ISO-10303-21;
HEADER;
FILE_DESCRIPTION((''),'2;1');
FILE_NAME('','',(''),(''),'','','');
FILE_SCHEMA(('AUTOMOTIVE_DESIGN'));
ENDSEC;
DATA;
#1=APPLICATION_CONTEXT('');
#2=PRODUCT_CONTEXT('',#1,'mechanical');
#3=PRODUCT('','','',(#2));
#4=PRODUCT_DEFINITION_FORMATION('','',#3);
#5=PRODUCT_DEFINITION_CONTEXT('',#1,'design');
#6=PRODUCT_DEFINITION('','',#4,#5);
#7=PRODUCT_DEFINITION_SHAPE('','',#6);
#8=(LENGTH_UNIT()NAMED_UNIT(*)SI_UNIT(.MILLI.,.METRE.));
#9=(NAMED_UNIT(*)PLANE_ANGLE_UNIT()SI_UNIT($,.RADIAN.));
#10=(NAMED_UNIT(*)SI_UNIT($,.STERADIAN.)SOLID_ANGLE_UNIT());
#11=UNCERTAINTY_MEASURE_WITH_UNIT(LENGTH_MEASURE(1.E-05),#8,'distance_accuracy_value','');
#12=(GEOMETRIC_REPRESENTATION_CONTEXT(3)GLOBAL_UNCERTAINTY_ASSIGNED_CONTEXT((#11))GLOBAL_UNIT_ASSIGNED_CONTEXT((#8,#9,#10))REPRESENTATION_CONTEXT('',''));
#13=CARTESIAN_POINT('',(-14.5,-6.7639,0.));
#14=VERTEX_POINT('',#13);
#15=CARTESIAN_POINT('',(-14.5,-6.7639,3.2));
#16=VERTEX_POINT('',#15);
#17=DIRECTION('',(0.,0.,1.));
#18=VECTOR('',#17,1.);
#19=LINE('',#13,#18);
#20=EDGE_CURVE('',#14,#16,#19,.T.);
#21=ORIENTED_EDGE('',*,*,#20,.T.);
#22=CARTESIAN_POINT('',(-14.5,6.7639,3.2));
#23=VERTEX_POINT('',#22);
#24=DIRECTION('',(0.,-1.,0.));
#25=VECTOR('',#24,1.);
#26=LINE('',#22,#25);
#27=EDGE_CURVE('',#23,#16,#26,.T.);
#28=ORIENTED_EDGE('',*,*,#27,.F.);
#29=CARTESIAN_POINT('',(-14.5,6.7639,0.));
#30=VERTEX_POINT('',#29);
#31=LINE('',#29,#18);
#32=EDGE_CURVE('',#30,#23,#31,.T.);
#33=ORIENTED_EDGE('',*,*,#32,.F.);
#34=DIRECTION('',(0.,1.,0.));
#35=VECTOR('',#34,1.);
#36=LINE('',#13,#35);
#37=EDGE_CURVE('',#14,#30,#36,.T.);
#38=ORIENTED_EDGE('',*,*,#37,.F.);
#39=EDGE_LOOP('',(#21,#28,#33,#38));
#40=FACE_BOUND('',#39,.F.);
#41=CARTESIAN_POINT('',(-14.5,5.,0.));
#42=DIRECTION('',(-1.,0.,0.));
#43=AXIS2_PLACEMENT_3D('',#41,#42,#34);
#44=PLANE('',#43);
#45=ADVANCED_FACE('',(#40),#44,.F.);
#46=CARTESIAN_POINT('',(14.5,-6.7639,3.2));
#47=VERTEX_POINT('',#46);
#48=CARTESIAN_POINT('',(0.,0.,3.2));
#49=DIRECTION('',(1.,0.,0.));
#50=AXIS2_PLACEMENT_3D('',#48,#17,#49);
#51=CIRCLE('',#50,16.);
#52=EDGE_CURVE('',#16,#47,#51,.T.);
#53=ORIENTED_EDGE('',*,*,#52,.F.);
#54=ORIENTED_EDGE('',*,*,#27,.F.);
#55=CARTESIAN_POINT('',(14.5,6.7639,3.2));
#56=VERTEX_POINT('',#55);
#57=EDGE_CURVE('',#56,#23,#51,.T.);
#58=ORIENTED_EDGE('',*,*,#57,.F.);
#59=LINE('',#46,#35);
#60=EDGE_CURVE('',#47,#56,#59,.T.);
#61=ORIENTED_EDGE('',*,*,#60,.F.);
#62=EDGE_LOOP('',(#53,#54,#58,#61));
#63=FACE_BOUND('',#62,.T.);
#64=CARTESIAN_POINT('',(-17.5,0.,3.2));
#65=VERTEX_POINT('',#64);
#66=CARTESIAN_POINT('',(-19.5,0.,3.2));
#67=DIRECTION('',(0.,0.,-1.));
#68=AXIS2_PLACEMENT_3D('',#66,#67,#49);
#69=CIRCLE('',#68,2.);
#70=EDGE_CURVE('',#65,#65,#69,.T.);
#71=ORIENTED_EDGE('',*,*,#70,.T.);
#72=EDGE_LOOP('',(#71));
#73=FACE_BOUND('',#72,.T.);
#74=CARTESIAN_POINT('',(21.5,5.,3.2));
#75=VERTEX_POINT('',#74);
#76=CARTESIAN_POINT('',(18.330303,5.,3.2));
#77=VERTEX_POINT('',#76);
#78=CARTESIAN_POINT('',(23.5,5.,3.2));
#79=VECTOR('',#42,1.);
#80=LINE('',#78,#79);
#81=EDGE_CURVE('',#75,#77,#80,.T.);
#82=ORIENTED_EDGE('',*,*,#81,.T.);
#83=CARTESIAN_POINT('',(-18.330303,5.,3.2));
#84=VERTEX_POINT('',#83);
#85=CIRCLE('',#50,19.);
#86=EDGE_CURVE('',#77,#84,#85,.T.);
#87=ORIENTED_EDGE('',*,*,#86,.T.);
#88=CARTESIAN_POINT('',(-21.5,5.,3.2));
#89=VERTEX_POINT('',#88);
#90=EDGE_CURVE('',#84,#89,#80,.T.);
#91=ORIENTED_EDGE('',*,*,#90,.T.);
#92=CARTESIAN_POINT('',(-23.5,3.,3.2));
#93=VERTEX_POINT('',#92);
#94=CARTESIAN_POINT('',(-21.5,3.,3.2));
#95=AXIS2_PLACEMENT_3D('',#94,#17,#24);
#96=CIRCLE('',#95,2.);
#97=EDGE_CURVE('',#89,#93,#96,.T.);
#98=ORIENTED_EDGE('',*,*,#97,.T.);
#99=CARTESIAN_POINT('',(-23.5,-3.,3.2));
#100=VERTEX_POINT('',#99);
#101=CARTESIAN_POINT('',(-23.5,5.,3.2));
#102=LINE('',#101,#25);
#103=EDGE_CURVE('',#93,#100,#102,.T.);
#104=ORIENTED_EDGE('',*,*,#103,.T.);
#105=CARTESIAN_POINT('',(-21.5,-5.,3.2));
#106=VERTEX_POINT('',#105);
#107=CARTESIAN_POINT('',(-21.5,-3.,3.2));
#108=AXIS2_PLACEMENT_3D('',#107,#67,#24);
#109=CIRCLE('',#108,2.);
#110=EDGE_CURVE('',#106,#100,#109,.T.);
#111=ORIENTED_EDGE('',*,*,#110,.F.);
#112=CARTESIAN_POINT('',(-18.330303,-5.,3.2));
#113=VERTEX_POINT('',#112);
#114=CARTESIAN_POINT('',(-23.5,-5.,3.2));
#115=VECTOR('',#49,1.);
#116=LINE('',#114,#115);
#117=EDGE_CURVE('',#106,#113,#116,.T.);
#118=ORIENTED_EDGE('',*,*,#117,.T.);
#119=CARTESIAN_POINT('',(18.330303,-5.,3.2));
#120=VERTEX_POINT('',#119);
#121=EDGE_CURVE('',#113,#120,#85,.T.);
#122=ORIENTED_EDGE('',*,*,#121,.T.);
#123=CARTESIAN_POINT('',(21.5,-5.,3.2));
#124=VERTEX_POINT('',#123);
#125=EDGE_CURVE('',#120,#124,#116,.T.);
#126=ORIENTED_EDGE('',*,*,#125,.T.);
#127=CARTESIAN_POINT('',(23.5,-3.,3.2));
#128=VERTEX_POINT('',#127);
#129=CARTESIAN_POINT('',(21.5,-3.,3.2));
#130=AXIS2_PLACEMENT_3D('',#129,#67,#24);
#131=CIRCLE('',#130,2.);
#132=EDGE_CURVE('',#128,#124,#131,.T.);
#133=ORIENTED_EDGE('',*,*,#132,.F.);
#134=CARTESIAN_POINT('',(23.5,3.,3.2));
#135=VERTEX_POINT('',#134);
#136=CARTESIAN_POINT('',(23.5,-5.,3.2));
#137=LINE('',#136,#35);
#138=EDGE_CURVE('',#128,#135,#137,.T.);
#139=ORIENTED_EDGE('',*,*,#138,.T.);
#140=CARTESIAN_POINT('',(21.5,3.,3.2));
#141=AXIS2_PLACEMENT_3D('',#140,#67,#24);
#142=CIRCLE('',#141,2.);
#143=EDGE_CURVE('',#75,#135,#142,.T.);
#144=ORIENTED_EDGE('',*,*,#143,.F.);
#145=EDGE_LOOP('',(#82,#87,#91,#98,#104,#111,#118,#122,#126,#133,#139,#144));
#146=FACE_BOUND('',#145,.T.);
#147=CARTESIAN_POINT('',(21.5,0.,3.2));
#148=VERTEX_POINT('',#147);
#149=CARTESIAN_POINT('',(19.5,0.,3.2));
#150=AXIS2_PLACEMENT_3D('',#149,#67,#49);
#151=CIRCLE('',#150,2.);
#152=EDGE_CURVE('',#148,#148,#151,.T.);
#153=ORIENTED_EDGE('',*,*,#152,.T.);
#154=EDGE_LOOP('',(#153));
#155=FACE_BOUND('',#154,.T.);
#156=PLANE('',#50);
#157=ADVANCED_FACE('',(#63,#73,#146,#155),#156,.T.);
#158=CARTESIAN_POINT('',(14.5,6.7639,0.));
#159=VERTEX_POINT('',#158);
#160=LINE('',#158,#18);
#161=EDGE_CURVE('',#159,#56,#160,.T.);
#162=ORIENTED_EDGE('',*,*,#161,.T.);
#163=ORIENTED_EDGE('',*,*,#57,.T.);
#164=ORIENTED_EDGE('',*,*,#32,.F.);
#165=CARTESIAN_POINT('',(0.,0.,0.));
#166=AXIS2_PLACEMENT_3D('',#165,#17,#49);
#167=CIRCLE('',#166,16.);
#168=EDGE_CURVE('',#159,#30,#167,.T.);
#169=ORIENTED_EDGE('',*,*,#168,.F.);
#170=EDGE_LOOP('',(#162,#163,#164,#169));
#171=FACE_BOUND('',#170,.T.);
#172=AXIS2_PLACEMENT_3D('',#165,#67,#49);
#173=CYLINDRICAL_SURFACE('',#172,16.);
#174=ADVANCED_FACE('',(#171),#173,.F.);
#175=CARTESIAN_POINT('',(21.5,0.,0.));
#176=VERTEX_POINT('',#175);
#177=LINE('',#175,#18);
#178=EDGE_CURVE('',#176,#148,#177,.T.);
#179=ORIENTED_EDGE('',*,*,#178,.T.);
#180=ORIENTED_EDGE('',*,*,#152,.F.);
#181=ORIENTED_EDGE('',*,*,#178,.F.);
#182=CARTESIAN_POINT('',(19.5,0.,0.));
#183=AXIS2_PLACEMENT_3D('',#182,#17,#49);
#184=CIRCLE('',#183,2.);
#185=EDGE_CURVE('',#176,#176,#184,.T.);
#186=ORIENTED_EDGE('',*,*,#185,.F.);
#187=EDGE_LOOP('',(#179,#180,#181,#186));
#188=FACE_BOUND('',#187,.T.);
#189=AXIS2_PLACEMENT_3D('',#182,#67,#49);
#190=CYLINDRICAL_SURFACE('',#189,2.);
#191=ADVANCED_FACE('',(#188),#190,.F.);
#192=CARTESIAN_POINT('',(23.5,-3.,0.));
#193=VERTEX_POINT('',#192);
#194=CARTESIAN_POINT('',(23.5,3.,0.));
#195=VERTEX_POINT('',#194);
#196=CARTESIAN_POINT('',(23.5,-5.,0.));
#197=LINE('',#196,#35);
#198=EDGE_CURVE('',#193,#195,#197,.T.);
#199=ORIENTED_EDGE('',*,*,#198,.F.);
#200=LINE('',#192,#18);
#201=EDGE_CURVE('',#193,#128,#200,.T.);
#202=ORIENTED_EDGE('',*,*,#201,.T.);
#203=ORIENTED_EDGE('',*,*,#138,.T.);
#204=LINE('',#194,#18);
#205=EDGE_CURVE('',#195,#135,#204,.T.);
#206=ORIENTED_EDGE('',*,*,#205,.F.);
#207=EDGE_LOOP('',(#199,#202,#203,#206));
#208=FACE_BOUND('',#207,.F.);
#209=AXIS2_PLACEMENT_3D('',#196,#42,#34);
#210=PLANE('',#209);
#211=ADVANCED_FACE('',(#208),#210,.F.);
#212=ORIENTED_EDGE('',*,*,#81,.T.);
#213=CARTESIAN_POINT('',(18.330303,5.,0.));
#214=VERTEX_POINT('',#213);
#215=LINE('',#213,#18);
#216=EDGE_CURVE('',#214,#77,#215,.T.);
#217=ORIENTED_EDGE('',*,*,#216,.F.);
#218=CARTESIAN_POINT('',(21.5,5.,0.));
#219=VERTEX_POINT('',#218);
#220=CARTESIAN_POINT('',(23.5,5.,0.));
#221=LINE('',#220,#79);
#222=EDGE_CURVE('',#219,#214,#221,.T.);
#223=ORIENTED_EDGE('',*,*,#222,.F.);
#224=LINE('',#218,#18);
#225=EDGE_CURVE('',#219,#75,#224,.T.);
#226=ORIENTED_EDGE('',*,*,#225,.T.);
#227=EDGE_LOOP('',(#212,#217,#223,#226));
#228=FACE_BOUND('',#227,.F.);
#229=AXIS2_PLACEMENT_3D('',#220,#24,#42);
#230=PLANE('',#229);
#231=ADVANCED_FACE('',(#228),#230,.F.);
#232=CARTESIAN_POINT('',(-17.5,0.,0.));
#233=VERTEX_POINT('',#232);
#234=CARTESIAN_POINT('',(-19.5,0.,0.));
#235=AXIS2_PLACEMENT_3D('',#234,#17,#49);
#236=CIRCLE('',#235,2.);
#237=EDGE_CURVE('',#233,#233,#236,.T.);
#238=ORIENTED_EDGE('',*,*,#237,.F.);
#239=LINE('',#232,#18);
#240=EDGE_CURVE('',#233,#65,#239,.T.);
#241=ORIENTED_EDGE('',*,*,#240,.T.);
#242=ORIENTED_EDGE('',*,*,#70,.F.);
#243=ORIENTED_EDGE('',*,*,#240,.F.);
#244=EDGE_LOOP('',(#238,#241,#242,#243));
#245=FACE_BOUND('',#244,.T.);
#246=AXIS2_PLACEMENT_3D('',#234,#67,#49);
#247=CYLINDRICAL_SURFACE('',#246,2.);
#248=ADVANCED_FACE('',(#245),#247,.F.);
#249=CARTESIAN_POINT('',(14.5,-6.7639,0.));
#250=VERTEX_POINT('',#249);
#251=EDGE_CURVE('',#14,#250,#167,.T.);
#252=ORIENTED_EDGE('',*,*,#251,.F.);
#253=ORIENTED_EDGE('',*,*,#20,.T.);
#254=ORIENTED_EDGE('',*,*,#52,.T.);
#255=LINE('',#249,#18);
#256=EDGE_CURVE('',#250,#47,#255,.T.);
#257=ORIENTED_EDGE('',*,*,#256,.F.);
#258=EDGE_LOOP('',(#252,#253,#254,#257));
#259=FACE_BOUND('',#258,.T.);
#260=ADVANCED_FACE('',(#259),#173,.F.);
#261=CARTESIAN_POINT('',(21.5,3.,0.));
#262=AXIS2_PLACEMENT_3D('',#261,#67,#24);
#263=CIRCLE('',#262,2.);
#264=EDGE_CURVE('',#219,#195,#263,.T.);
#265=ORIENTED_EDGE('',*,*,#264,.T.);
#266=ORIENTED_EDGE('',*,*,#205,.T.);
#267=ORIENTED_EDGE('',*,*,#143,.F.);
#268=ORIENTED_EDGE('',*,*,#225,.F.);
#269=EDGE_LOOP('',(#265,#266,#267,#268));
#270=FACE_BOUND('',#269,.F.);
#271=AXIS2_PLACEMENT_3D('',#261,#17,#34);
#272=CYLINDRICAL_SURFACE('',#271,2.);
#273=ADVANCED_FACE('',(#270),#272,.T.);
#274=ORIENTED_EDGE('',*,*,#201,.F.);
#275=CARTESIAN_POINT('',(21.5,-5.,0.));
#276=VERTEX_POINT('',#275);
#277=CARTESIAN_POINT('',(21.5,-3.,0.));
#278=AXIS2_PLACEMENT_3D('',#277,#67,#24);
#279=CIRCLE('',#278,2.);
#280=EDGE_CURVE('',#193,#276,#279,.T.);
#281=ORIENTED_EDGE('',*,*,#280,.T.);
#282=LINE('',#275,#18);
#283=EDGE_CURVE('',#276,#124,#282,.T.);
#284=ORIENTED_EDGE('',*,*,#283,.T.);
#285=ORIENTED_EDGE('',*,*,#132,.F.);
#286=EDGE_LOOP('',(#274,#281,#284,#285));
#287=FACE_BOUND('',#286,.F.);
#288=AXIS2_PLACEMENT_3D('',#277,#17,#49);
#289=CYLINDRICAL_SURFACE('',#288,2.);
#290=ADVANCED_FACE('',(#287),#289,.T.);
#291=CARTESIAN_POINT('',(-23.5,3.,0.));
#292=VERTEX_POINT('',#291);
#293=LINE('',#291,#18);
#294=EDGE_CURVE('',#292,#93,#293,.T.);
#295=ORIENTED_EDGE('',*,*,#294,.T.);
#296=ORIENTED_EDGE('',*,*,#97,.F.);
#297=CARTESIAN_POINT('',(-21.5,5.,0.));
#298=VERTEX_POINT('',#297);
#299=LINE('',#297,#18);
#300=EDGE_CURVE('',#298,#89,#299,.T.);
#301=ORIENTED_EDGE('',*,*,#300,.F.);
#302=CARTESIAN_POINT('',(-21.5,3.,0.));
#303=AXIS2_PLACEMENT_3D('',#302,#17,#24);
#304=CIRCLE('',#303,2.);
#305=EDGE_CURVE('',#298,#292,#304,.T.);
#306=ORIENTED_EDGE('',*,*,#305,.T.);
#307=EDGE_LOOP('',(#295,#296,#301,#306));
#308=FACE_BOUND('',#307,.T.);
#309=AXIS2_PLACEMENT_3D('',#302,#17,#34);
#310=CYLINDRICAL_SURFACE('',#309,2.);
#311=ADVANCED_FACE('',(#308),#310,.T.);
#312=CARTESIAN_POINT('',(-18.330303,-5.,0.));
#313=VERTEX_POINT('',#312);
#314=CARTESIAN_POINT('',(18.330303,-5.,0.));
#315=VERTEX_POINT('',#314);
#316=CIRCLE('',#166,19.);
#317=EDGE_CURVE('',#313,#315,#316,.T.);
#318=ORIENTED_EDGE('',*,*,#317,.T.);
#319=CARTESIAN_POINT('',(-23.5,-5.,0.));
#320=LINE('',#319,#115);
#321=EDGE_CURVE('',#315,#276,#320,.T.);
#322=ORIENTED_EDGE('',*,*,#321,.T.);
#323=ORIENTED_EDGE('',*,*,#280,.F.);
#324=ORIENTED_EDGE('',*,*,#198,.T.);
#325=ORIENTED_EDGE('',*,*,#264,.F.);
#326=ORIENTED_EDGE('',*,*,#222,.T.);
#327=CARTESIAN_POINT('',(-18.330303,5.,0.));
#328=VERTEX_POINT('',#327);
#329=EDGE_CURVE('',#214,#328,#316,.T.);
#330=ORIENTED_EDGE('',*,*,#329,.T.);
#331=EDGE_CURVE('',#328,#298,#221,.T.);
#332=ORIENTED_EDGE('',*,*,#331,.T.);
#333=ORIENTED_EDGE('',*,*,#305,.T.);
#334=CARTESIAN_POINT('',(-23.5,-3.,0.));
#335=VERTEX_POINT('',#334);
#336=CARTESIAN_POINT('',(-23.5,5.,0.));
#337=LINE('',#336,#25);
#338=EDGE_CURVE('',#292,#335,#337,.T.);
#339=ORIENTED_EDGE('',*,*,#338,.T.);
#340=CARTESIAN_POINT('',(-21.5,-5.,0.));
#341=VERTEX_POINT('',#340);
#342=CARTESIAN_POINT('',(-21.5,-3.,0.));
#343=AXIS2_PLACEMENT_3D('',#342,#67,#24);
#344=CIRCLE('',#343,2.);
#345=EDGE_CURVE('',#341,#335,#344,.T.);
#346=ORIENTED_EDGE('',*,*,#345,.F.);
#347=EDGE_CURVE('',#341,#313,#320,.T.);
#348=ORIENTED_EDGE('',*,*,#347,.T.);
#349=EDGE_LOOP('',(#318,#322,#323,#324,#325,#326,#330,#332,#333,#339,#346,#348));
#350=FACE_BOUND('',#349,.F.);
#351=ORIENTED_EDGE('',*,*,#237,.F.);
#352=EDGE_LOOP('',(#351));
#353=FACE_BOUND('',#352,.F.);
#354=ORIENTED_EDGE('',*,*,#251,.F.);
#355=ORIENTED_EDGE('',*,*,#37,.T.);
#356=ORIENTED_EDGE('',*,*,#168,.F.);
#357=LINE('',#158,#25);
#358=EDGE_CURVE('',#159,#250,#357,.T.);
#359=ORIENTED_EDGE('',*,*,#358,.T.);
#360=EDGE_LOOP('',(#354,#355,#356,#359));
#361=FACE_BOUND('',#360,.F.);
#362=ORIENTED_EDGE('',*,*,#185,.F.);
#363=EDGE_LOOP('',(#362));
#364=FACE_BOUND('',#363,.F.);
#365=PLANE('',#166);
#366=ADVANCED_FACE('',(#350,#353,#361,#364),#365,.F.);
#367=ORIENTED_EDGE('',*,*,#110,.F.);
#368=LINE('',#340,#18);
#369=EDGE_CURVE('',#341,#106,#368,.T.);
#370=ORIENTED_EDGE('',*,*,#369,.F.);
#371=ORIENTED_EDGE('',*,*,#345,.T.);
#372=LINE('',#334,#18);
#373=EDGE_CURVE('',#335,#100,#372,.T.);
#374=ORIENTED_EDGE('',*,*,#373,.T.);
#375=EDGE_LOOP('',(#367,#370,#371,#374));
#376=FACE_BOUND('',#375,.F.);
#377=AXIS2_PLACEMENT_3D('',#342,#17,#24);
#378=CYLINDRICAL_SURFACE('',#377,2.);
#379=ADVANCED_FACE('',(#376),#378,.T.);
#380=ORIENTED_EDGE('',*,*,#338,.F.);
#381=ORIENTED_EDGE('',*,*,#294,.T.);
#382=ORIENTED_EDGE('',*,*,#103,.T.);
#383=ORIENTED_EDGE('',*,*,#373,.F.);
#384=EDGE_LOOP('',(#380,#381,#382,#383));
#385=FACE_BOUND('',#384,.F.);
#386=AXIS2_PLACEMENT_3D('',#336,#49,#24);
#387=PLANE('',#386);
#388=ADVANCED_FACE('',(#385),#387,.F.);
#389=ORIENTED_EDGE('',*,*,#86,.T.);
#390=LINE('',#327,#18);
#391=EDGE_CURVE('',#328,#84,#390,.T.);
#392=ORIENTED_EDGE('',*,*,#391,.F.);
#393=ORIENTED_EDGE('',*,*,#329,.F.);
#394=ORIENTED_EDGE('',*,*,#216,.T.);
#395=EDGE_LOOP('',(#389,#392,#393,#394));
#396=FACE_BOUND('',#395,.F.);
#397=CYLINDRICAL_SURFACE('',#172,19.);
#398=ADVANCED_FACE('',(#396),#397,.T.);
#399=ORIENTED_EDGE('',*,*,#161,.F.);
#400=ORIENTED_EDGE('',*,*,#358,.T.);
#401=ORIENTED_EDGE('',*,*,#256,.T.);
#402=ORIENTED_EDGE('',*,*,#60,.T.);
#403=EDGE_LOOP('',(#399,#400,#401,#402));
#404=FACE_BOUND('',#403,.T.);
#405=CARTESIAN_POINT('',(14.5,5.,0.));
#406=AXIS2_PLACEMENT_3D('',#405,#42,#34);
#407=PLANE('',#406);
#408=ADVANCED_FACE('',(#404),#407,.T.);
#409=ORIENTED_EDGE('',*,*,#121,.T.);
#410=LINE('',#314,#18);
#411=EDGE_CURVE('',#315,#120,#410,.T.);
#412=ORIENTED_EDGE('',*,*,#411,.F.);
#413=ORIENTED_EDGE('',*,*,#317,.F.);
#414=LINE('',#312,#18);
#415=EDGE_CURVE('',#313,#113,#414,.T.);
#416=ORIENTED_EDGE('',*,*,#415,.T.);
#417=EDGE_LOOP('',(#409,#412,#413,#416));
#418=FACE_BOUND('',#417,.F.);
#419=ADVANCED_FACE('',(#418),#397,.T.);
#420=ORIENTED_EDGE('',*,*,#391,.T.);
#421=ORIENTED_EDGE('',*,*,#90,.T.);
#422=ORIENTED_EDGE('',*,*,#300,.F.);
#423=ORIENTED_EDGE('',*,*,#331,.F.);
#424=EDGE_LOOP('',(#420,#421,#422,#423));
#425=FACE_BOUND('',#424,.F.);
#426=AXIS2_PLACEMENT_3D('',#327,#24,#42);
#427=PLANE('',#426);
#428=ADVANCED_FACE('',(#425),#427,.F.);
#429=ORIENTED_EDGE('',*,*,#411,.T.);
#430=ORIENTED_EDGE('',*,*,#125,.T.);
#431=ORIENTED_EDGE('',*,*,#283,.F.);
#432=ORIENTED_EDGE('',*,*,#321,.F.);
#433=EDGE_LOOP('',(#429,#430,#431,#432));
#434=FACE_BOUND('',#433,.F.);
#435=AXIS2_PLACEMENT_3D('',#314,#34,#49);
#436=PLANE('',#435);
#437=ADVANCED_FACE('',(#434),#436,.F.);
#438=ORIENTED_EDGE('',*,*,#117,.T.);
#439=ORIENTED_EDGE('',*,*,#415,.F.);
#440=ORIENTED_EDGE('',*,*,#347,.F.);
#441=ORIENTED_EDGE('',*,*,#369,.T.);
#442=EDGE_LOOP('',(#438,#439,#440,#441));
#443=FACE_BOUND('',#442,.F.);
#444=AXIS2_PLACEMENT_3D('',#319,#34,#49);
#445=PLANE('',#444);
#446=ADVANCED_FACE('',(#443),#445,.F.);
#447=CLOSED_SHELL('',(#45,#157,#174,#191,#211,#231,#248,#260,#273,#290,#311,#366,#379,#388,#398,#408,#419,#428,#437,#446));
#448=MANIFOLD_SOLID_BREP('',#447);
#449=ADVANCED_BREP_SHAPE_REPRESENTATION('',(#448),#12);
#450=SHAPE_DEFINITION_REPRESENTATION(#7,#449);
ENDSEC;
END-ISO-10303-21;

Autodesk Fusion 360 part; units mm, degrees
sketch "Sketch1" plane through (0, 0, 0) normal (0, 0, 1) x (1, 0, 0)
  circle A0 centre (0, 0) radius 16
  line L0 (0, 0) -> (19.5, 0) construction
  circle A1 centre (19.5, 0) radius 2
  line L1 (0, 0) -> (0, 16) construction
  circle A2 centre (-19.5, 0) radius 2
  line L2 (23.5, 5) -> (-23.5, 5)
  line L3 (-23.5, 5) -> (-23.5, -5)
  line L4 (-23.5, -5) -> (23.5, -5)
  line L5 (23.5, -5) -> (23.5, 5)
  line L6 (23.5, 5) -> (-23.5, -5) construction
  line L7 (-23.5, 5) -> (23.5, -5) construction
  circle A3 centre (0, 0) radius 19
  line L8 (-14.5, 5) -> (-24.5, 5)
  line L9 (-24.5, 5) -> (-24.5, -5)
  line L10 (-24.5, -5) -> (-14.5, -5)
  line L11 (-14.5, -5) -> (-14.5, 5)
  line L12 (-14.5, 5) -> (-24.5, -5) construction
  line L13 (-24.5, 5) -> (-14.5, -5) construction
  line L14 (24.5, 5) -> (24.5, -5)
  line L15 (24.5, -5) -> (14.5, -5)
  line L16 (14.5, -5) -> (14.5, 5)
  line L17 (14.5, 5) -> (24.5, 5)
  line L18 (-14.5, -5) -> (-14.5, -6.7639)
  line L19 (-14.5, 5) -> (-14.5, 6.7639)
  line L20 (14.5, 5) -> (14.5, 6.7639)
  line L21 (14.5, -5) -> (14.5, -6.7639)
  point P0 (-19.5, 0)
  dimension "d1" = 32
  dimension "d2" = 19.5
  dimension "d3" = 4
  dimension "d4" = 3
  dimension "d5" = 4
  dimension "d6" = 10
  dimension "d11" = 5
extrude "Extrude1" add sketch "Sketch1" along normal blind 3.2 contours A0 L2 A3 L8 L17 | A0 L2 L17 L20 | A0 L2 L8 L19 | A0 A1 L2 L4 A3 L15 L17 | A0 L2 L4 L15 L16 L17 | A0 L2 L4 L8 L10 L11 | A0 A2 L2 L4 A3 L8 L10 | A1 L2 L4 L5 A3 L15 L17 | A0 L4 L15 L21 | A0 L4 L10 L18 | A0 L4 A3 L10 L15 | A2 L2 L3 L4 A3 L8 L10
fillet "Fillet1" radius 2 4 edges at (-23.5, -5, 1.6) (-23.5, 5, 1.6) (23.5, -5, 1.6) (23.5, 5, 1.6)
equation "d2 = ( 39 / 2 ) * 1 mm"
